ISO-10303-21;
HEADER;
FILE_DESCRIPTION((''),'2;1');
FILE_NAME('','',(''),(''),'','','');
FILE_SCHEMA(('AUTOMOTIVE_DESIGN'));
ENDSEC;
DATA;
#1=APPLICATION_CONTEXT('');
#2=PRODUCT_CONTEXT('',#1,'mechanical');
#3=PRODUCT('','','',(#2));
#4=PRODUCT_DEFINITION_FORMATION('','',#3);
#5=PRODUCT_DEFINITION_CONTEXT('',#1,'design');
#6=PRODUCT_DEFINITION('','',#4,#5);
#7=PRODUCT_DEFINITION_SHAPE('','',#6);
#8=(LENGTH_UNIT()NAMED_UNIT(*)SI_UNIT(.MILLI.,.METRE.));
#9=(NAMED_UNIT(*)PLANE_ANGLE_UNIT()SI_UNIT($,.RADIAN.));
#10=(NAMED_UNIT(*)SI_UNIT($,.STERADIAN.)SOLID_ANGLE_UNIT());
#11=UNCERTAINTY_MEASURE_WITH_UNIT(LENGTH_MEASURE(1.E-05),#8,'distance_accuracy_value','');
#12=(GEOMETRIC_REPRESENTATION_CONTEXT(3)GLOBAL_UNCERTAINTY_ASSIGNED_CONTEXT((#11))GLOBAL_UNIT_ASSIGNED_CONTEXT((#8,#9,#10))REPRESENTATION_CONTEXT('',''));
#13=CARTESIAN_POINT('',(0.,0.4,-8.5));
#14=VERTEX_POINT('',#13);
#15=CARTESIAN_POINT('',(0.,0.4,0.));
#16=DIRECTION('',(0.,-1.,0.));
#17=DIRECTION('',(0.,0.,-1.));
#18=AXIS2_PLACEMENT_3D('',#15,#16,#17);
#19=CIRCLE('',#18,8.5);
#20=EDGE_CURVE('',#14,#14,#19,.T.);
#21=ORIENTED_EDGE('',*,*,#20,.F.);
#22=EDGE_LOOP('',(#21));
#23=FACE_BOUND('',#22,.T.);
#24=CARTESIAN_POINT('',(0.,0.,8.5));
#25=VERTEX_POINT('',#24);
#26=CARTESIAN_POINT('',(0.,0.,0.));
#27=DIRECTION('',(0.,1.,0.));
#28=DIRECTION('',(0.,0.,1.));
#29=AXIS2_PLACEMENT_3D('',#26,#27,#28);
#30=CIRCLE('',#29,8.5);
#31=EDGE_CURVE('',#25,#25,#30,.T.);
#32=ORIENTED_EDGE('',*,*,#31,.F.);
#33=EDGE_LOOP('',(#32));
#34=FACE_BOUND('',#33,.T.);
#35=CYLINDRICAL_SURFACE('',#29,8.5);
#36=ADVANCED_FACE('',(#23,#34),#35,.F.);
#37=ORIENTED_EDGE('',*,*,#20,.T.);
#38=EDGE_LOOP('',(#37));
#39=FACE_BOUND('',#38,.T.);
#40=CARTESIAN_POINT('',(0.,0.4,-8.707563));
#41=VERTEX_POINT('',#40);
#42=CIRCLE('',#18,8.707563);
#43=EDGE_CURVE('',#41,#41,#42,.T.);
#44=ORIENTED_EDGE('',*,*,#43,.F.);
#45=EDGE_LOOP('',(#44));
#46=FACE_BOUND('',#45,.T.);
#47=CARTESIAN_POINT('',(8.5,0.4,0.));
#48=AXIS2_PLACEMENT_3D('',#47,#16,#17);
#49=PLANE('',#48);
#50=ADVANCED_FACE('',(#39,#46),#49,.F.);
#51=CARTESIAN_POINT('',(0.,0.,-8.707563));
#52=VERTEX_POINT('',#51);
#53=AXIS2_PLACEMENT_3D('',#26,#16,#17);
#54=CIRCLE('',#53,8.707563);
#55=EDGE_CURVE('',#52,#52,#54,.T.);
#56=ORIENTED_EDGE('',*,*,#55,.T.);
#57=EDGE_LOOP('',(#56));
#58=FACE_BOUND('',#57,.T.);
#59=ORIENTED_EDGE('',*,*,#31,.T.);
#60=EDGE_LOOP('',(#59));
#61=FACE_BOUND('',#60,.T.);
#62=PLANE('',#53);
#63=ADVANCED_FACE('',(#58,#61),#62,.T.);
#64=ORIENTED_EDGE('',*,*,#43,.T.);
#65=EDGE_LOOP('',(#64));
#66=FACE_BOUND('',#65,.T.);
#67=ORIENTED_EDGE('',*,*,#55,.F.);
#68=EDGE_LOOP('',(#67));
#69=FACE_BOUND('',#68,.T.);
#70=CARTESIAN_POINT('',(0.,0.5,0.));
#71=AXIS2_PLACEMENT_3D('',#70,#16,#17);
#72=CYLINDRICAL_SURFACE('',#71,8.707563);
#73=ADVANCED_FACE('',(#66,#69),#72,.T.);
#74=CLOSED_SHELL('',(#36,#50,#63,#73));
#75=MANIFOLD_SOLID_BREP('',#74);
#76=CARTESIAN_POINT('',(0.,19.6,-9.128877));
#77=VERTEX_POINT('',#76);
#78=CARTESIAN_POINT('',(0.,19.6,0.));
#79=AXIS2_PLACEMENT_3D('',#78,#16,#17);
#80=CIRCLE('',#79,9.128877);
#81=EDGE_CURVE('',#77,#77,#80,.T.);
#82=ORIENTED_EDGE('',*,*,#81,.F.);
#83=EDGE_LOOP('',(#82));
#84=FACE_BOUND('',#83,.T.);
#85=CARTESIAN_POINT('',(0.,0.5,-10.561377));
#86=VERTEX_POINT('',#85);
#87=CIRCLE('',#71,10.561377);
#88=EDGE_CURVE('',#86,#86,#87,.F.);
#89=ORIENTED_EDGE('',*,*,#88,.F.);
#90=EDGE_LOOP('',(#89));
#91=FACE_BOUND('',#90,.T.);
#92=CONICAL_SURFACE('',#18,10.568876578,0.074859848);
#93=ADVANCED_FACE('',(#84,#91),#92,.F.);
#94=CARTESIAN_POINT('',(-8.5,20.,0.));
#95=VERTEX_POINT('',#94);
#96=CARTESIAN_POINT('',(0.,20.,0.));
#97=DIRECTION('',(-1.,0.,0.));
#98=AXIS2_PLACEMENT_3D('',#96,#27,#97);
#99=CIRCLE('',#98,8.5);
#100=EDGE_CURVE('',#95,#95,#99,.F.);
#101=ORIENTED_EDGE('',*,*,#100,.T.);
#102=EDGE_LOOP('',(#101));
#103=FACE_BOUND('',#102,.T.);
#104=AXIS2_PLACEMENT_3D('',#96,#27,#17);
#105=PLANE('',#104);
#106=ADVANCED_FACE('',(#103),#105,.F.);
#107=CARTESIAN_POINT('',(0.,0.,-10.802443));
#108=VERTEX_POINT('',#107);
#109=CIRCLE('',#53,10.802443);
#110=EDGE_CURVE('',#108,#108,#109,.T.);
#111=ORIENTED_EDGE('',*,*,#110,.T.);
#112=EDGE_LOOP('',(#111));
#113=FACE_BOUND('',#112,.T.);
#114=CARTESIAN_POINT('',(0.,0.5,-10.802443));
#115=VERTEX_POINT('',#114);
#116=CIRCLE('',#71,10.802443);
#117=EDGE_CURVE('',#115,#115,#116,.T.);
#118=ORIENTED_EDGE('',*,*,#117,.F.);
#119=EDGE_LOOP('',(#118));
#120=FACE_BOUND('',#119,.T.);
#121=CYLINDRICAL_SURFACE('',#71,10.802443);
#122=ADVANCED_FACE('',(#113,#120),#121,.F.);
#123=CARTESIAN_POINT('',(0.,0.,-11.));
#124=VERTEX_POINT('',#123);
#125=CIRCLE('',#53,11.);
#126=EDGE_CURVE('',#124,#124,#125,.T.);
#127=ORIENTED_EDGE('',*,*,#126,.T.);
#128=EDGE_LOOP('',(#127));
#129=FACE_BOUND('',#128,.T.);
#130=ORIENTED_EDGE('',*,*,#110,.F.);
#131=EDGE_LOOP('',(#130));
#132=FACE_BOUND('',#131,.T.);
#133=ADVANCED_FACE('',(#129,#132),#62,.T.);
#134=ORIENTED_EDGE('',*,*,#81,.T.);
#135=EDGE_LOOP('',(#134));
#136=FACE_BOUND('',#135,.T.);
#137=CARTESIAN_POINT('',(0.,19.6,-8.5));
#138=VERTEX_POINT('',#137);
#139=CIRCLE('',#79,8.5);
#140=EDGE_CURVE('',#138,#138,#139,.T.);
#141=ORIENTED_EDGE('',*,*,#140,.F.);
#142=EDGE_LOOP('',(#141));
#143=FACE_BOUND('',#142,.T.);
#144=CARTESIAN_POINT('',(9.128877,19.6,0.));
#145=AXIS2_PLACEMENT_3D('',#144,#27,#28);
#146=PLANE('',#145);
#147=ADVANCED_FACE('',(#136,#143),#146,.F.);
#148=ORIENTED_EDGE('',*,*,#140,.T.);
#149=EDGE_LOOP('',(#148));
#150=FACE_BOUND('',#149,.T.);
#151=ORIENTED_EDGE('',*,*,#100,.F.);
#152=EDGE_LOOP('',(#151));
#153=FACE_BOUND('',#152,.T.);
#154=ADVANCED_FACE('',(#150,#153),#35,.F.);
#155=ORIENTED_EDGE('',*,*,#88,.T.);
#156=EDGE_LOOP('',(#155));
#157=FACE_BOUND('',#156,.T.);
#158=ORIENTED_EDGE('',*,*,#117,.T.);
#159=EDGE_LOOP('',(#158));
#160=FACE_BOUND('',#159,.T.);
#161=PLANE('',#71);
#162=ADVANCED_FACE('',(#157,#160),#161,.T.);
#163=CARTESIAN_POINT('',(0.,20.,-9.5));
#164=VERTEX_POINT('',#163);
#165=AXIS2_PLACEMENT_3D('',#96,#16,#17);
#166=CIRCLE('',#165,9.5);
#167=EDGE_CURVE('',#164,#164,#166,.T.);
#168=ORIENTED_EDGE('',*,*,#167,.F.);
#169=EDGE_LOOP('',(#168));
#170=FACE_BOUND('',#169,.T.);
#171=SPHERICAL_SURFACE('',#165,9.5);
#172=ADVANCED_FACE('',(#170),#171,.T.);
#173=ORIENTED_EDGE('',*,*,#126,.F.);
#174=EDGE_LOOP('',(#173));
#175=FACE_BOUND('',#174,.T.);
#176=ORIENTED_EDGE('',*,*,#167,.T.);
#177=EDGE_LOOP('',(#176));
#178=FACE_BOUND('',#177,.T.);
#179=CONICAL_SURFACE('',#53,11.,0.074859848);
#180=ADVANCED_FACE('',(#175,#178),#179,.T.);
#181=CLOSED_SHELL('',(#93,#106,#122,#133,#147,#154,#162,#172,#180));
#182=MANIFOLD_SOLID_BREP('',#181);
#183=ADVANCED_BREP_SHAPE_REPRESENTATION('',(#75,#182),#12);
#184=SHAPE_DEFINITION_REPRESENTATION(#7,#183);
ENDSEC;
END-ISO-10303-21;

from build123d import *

# Parameters (mm, degrees)
SKETCH6_R          = 8.5
CUT_EXTRUDE1_DEPTH = 20
SKETCH8_R          = 10.802442882
SKETCH8_R_2        = 8.707562746
CUT_EXTRUDE2_DEPTH = 0.5
REVOLVE2_ANGLE     = 180


with BuildPart() as part:
    # Sketch3 → Revolve1 (revolve)
    with BuildSketch(Plane.XY):
        Polygon((0, 0), (11, 0), (9.5, 20), (0, 20), align=None)
    revolve(axis=Axis((0, 0, 0), (0, 1, 0)))

    # Sketch6 → Cut-Extrude1 (cut)
    with BuildSketch(Plane(origin=(0, 20, 0), x_dir=(1, 0, 0), z_dir=(0, 1, 0))):
        Circle(SKETCH6_R)
    extrude(amount=-CUT_EXTRUDE1_DEPTH, mode=Mode.SUBTRACT)

    # Sketch7 → Cut-Revolve1 (revolve, cut)
    with BuildSketch(Plane.XY):
        Polygon((8.5, 19.6), (8.5, 0.4), (10.568876578, 0.4), (9.128876578, 19.6), align=None)
    revolve(axis=Axis((0, 0, 0), (0, 1, 0)), mode=Mode.SUBTRACT)

    # Sketch8 → Cut-Extrude2 (cut)
    with BuildSketch(Plane(origin=(0, 0, 0), x_dir=(-1, 0, 0), z_dir=(0, -1, 0))):
        Circle(SKETCH8_R)
        Circle(SKETCH8_R_2, mode=Mode.SUBTRACT)
    extrude(amount=-CUT_EXTRUDE2_DEPTH, mode=Mode.SUBTRACT)

    # Sketch10 → Revolve2 (revolve)
    with BuildSketch(Plane(origin=(0, 20, 0), x_dir=(1, 0, 0), z_dir=(0, 1, 0))):
        with BuildLine():
            Line((0, 9.5), (0, -9.5))
            ThreePointArc((0, -9.5), (9.5, 0), (0, 9.5))
        make_face()
    revolve(axis=Axis((0, 20, -9.5), (0, 0, 1)), revolution_arc=REVOLVE2_ANGLE)


solid = part.part
